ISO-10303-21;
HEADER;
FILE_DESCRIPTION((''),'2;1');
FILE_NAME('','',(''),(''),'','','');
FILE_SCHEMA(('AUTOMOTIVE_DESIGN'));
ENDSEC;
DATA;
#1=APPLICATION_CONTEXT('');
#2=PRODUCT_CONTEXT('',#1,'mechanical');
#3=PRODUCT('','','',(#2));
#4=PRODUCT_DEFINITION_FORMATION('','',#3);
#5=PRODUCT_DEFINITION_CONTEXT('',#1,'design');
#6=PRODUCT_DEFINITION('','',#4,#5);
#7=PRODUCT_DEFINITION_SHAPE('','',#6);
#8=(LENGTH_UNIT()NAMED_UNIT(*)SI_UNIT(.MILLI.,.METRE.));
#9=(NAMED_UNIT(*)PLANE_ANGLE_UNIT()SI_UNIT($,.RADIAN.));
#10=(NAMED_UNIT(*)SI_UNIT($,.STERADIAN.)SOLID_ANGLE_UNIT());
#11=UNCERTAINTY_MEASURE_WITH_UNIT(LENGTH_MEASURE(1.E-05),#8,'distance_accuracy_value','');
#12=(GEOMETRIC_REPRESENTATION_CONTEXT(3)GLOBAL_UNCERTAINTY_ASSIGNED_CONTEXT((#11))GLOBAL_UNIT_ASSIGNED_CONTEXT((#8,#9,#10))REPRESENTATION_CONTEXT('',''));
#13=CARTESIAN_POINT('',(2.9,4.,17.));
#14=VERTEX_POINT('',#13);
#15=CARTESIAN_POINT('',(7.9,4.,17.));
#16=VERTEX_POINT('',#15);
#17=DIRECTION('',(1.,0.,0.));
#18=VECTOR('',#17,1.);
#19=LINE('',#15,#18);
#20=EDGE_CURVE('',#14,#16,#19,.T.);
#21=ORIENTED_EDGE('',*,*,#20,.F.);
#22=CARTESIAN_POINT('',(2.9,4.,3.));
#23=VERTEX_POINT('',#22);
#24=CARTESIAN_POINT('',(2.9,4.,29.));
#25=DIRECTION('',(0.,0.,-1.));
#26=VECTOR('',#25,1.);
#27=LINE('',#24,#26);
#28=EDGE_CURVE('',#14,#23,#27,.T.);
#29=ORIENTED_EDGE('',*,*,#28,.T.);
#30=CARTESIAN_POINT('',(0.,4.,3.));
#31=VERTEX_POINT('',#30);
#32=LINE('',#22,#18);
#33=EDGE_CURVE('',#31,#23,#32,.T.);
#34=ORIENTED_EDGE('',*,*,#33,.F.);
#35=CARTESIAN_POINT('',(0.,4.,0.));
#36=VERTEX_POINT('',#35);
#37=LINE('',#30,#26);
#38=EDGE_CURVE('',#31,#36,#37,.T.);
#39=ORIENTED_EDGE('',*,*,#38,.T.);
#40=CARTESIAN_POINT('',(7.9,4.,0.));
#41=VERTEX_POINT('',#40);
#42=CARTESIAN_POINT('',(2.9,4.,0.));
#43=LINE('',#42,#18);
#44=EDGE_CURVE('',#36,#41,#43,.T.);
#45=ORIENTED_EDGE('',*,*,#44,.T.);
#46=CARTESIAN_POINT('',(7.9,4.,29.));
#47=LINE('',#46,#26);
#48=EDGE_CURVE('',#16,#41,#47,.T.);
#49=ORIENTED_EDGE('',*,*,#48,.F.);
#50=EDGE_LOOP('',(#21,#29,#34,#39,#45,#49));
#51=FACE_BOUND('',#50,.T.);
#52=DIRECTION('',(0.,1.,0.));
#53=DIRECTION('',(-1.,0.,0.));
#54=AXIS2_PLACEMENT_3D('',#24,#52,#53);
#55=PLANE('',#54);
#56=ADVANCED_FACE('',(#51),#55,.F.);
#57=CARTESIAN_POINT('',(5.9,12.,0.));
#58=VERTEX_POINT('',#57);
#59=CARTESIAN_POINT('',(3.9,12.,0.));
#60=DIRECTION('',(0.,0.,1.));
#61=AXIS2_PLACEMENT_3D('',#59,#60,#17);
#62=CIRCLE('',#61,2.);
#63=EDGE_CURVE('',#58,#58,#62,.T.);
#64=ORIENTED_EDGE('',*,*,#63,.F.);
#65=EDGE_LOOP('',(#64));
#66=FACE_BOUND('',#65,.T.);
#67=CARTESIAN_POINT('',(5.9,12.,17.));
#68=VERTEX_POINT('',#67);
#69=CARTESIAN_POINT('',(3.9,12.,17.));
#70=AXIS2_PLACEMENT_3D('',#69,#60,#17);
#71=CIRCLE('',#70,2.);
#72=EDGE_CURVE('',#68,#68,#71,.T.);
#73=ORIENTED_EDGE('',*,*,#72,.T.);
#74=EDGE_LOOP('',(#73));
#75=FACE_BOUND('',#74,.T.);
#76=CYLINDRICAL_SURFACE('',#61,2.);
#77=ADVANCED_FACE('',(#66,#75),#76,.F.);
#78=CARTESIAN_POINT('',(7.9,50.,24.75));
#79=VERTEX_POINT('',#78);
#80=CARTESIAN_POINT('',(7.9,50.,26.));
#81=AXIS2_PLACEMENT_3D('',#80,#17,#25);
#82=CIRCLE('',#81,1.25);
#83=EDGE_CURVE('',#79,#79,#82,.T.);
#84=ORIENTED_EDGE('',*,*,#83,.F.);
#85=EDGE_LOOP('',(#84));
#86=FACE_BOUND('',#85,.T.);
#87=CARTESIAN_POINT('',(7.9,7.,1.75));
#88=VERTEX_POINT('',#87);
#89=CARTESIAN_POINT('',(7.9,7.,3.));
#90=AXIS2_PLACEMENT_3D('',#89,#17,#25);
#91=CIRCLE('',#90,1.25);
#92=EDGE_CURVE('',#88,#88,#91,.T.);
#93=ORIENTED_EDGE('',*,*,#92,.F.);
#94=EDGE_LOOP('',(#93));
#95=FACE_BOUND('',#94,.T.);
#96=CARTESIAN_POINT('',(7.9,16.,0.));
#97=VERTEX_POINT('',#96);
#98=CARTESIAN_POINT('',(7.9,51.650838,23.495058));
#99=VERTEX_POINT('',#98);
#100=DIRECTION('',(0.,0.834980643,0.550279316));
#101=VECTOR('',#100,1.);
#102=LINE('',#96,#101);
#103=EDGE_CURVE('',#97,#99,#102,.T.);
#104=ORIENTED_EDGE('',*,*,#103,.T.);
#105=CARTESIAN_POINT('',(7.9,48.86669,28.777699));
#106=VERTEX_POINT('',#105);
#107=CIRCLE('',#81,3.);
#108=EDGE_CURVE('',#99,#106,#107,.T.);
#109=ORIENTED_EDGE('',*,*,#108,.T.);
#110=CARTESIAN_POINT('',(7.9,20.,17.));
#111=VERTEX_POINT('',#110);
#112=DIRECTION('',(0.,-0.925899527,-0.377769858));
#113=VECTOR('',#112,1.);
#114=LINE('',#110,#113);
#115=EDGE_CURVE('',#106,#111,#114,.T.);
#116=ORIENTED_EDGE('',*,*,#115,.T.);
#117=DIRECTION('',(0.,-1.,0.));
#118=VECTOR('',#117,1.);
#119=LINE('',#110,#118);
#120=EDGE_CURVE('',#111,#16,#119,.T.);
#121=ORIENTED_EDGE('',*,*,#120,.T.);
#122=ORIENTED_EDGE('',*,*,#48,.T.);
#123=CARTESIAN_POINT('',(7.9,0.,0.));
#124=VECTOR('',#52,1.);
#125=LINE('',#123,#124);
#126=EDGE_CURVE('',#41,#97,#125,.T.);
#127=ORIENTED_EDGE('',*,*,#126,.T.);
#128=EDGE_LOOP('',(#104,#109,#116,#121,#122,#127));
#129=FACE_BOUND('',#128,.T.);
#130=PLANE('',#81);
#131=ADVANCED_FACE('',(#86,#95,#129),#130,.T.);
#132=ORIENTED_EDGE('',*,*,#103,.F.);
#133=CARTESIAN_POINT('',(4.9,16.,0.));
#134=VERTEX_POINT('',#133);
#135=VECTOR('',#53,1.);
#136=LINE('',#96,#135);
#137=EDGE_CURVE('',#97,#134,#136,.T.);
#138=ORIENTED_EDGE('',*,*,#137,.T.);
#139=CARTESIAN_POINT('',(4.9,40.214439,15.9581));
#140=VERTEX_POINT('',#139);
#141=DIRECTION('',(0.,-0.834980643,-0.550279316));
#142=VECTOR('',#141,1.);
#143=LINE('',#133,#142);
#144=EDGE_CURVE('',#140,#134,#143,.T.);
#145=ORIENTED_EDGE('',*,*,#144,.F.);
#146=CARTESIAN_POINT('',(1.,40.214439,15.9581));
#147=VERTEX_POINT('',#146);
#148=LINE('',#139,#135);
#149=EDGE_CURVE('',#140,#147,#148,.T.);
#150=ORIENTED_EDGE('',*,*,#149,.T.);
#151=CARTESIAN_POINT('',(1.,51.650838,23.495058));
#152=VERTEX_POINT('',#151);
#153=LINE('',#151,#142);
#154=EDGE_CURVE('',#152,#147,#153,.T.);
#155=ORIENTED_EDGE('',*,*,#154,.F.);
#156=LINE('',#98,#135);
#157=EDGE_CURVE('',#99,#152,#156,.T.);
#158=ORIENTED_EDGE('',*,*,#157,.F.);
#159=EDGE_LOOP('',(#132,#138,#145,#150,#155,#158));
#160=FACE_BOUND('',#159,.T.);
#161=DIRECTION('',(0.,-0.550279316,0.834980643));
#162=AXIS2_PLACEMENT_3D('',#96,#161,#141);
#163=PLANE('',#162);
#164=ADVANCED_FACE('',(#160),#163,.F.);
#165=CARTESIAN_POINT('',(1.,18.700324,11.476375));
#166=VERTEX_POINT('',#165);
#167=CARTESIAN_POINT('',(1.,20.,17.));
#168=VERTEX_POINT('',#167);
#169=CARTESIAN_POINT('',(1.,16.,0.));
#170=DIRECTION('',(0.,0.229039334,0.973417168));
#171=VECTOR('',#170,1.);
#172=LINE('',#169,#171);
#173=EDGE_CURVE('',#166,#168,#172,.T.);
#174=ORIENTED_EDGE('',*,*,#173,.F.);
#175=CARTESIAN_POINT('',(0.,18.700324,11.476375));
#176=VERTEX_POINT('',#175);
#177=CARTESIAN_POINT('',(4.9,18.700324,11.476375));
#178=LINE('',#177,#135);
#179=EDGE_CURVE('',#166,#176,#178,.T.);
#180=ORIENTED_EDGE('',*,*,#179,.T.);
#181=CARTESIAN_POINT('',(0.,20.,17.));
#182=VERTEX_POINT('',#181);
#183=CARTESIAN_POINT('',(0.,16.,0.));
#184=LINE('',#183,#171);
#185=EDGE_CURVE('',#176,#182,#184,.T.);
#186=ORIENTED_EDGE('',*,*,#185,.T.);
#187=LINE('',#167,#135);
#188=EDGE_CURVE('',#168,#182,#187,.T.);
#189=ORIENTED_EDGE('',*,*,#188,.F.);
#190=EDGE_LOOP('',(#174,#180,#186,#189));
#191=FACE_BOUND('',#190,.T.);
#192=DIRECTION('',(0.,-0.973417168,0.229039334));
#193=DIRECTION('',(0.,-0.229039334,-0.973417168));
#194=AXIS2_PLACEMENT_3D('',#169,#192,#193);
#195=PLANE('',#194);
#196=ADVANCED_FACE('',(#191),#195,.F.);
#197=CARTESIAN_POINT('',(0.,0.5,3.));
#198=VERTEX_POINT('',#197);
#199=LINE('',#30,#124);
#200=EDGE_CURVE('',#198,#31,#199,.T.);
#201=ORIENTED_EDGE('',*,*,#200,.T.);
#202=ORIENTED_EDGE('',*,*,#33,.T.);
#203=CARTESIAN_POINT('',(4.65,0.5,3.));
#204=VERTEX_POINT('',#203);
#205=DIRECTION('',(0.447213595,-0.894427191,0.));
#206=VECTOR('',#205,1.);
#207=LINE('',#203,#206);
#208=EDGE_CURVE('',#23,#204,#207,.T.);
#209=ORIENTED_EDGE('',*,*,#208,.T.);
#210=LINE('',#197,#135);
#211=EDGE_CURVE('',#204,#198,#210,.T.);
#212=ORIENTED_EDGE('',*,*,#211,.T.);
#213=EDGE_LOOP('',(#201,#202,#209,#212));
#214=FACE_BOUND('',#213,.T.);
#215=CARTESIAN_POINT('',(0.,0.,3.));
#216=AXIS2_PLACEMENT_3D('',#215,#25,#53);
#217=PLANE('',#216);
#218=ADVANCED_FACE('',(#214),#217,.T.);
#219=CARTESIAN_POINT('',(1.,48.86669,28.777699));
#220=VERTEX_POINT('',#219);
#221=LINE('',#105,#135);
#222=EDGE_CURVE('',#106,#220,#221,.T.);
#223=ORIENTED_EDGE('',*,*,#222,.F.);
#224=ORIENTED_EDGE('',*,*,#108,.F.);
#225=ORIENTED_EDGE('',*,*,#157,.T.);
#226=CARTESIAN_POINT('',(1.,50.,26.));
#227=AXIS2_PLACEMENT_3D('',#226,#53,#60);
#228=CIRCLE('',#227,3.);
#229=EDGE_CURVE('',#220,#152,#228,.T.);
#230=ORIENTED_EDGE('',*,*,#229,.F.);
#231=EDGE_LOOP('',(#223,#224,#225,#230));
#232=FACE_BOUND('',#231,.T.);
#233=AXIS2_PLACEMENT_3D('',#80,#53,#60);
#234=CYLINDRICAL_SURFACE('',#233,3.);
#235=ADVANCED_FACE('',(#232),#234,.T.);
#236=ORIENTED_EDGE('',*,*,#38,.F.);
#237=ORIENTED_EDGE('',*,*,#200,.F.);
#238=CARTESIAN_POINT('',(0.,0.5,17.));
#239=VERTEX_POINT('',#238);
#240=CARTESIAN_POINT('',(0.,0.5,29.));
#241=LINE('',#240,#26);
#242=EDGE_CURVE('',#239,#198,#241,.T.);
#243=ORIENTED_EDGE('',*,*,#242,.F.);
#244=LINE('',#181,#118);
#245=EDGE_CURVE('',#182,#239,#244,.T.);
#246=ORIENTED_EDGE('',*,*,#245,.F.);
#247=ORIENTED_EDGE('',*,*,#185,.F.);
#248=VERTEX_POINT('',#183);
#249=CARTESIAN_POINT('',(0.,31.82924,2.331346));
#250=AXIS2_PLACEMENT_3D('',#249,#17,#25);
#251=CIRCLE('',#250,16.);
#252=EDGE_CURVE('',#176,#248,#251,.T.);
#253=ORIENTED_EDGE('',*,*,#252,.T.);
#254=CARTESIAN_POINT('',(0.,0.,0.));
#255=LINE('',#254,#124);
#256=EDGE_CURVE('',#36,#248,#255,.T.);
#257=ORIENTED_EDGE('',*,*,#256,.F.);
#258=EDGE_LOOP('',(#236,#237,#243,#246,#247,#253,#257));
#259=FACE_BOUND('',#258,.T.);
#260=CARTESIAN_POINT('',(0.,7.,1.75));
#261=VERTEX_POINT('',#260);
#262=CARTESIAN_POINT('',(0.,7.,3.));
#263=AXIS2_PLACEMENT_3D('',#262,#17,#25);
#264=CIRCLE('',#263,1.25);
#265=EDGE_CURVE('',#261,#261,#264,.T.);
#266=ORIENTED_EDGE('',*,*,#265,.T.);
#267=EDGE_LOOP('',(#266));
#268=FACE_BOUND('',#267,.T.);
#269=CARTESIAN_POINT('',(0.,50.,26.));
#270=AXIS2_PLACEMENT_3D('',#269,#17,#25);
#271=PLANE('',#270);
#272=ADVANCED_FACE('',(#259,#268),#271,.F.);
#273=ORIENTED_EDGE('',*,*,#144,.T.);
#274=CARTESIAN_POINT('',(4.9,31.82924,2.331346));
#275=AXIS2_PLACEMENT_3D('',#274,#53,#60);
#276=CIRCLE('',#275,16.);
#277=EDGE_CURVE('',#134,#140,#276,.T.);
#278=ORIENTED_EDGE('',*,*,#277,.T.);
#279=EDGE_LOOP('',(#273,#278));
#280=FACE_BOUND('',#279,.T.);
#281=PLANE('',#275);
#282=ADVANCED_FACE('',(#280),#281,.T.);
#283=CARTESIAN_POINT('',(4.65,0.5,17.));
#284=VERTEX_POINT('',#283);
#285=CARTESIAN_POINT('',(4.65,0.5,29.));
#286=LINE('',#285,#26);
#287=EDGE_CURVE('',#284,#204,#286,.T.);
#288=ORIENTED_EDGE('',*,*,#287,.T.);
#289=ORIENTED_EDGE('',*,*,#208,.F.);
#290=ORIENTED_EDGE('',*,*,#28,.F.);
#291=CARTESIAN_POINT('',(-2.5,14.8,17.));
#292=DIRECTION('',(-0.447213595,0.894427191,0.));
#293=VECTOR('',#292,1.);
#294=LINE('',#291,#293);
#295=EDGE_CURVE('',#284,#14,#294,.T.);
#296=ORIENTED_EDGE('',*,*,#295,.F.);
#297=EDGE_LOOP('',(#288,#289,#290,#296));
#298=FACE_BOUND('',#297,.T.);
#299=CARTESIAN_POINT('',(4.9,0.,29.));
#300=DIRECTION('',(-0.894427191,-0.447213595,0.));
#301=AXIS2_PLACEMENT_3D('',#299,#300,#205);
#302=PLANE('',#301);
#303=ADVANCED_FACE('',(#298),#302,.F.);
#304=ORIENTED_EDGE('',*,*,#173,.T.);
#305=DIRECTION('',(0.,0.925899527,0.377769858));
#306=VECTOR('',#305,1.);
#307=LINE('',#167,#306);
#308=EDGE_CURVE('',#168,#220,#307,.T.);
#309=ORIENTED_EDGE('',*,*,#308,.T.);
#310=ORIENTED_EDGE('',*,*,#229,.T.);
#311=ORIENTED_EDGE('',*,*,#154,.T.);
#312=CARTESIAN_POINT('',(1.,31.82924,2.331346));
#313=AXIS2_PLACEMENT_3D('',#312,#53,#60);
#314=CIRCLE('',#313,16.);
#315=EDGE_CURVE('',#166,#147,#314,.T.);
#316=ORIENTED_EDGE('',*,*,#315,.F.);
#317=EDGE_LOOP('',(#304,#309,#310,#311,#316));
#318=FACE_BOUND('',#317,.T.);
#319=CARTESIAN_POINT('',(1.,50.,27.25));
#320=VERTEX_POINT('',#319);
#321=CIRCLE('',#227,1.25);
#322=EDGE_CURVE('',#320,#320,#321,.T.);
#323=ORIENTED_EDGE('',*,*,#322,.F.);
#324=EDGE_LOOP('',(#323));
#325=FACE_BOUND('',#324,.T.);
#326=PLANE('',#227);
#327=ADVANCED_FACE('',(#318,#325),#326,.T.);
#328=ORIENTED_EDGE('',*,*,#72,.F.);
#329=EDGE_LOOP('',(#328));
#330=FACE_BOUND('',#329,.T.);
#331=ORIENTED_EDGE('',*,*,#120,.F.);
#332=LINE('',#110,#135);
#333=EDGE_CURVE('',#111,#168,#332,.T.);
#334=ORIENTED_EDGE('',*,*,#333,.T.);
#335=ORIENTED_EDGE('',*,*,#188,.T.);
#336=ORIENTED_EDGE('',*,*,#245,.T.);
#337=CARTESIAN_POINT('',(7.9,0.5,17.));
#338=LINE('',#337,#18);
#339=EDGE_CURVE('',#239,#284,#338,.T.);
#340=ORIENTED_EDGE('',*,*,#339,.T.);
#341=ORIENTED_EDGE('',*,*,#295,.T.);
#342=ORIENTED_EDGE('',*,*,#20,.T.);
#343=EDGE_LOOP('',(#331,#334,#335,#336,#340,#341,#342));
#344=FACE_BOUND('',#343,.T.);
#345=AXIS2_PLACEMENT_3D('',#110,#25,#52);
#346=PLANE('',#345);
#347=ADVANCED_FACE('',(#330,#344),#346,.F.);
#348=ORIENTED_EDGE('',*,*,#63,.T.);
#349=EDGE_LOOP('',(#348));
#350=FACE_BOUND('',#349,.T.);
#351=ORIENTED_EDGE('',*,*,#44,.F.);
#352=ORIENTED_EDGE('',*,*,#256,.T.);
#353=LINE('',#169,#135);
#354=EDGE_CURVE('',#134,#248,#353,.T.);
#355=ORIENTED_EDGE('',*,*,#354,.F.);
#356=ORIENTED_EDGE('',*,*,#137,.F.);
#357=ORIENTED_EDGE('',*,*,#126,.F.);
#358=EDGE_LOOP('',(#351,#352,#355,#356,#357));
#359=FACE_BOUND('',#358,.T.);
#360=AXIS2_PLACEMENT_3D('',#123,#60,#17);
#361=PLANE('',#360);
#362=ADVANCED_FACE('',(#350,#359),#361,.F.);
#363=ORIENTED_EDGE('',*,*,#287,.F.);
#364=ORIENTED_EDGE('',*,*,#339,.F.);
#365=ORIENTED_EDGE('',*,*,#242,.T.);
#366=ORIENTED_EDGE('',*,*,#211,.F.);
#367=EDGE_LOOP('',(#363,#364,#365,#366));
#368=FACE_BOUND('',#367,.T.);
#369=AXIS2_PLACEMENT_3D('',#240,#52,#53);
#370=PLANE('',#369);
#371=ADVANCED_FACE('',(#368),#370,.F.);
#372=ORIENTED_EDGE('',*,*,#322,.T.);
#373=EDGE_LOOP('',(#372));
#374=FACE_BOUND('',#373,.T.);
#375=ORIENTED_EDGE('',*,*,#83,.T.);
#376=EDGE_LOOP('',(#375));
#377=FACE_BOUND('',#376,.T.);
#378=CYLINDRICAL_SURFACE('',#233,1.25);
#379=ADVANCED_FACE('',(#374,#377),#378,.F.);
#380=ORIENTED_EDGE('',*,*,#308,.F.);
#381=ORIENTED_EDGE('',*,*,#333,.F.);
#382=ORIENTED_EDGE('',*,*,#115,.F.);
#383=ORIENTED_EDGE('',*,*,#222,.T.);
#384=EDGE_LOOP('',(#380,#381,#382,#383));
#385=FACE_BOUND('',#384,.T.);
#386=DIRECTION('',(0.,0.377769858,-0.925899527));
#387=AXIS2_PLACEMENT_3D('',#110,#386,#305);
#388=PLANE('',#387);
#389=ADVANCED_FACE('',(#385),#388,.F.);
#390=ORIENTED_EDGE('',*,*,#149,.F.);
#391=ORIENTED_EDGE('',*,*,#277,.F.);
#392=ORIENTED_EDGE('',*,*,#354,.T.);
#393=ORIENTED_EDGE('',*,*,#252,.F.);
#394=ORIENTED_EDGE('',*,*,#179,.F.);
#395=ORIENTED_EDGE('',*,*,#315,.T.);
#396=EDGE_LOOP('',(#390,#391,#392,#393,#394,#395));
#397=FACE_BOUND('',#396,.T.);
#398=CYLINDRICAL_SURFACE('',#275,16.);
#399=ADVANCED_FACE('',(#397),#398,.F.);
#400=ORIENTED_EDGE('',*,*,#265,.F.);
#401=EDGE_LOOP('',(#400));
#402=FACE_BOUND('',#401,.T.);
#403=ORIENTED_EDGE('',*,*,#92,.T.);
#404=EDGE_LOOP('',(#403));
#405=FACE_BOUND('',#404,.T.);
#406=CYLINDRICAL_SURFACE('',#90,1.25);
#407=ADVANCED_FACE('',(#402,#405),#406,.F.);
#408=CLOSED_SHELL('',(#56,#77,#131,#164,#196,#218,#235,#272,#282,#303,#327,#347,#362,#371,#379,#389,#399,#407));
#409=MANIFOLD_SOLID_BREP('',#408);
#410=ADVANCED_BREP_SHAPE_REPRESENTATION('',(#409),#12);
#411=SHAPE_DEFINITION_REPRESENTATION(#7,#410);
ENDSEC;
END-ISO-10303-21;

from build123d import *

# Parameters (mm, degrees)
SKETCH1_R             = 1.25
BOSS_EXTRUDE1_DEPTH   = 7.9
CUT_EXTRUDE2_DEPTH    = 61.929549481
M3X0_5_TAPPED_HOLE1_D = 2.5
SKETCH7_W             = 8
SKETCH7_H             = 0.5
CUT_EXTRUDE3_DEPTH    = 61.929549481
SKETCH8_R             = 2
CUT_EXTRUDE4_DEPTH    = 57.217523958
CUT_EXTRUDE5_DEPTH    = 3
CUT_EXTRUDE6_DEPTH    = 1
CUT_EXTRUDE8_DEPTH    = 3.9


with BuildPart() as part:
    # Sketch1 → Boss-Extrude1 (new body)
    with BuildSketch(Plane(origin=(0, 0, 0), x_dir=(0, 0, -1), z_dir=(1, 0, 0))):
        with BuildLine():
            Line((0, 0), (0, 16))
            Line((0, 16), (-23.49505807, 51.650837947))
            ThreePointArc((-23.49505807, 51.650837947), (-27.398738146, 52.653965259), (-28.777698581, 48.866690426))
            Line((-28.777698581, 48.866690426), (-17, 20))
            Line((-17, 20), (-17, 0))
            Line((-17, 0), (0, 0))
        make_face()
        with Locations((-26, 50)):
            Circle(SKETCH1_R, mode=Mode.SUBTRACT)
    extrude(amount=BOSS_EXTRUDE1_DEPTH)

    # Sketch3 → Cut-Extrude2 (cut, through all)
    with BuildSketch(Plane(origin=(0, 0, 0), x_dir=(-1, 0, 0), z_dir=(0, 0, -1))):
        Polygon((-7.9, 0), (-4.9, 0), (-2.9, 4), (-7.9, 4), align=None)
    extrude(amount=-CUT_EXTRUDE2_DEPTH, mode=Mode.SUBTRACT)

    # M3x0.5 Tapped Hole1 (through all)
    with Locations(Plane(origin=(7.9, 7, 3), x_dir=(0, 0, 1), z_dir=(1, 0, 0))):
        with Locations((0, 0)):
            Hole(M3X0_5_TAPPED_HOLE1_D / 2)

    # Sketch7 → Cut-Extrude3 (cut, through all)
    with BuildSketch(Plane(origin=(0, 0, 0), x_dir=(-1, 0, 0), z_dir=(0, 0, -1))):
        with Locations((-4, 0.25)):
            Rectangle(SKETCH7_W, SKETCH7_H)
    extrude(amount=-CUT_EXTRUDE3_DEPTH, mode=Mode.SUBTRACT)

    # Sketch8 → Cut-Extrude4 (cut, through all)
    with BuildSketch(Plane.XY.offset(17)):
        with Locations((3.9, 12)):
            Circle(SKETCH8_R)
    extrude(amount=-CUT_EXTRUDE4_DEPTH, mode=Mode.SUBTRACT)

    # Sketch9 → Cut-Extrude5 (cut)
    with BuildSketch(Plane(origin=(0, 0, 0), x_dir=(-1, 0, 0), z_dir=(0, 0, -1))):
        Polygon((-4.65, 0.5), (-2.9, 4), (0, 4), (0, 0.5), align=None)
    extrude(amount=-CUT_EXTRUDE5_DEPTH, mode=Mode.SUBTRACT)

    # Sketch11 → Cut-Extrude6 (cut)
    with BuildSketch(Plane.ZY):
        with BuildLine():
            Line((0, 16), (17, 20))
            Line((17, 20), (28.777698581, 48.866690426))
            ThreePointArc((28.777698581, 48.866690426), (27.398738146, 52.653965259), (23.49505807, 51.650837947))
            Line((23.49505807, 51.650837947), (0, 16))
        make_face()
    extrude(amount=-CUT_EXTRUDE6_DEPTH, mode=Mode.SUBTRACT)

    # Sketch14 → Cut-Extrude8 (cut, symmetric)
    with BuildSketch(Plane.ZY.offset(-1)):
        with BuildLine():
            Line((0, 16), (15.958100151, 40.214438659))
            ThreePointArc((15.958100151, 40.214438659), (15.69103598, 23.024770582), (0, 16))
        make_face()
    extrude(amount=CUT_EXTRUDE8_DEPTH, both=True, mode=Mode.SUBTRACT)


solid = part.part
